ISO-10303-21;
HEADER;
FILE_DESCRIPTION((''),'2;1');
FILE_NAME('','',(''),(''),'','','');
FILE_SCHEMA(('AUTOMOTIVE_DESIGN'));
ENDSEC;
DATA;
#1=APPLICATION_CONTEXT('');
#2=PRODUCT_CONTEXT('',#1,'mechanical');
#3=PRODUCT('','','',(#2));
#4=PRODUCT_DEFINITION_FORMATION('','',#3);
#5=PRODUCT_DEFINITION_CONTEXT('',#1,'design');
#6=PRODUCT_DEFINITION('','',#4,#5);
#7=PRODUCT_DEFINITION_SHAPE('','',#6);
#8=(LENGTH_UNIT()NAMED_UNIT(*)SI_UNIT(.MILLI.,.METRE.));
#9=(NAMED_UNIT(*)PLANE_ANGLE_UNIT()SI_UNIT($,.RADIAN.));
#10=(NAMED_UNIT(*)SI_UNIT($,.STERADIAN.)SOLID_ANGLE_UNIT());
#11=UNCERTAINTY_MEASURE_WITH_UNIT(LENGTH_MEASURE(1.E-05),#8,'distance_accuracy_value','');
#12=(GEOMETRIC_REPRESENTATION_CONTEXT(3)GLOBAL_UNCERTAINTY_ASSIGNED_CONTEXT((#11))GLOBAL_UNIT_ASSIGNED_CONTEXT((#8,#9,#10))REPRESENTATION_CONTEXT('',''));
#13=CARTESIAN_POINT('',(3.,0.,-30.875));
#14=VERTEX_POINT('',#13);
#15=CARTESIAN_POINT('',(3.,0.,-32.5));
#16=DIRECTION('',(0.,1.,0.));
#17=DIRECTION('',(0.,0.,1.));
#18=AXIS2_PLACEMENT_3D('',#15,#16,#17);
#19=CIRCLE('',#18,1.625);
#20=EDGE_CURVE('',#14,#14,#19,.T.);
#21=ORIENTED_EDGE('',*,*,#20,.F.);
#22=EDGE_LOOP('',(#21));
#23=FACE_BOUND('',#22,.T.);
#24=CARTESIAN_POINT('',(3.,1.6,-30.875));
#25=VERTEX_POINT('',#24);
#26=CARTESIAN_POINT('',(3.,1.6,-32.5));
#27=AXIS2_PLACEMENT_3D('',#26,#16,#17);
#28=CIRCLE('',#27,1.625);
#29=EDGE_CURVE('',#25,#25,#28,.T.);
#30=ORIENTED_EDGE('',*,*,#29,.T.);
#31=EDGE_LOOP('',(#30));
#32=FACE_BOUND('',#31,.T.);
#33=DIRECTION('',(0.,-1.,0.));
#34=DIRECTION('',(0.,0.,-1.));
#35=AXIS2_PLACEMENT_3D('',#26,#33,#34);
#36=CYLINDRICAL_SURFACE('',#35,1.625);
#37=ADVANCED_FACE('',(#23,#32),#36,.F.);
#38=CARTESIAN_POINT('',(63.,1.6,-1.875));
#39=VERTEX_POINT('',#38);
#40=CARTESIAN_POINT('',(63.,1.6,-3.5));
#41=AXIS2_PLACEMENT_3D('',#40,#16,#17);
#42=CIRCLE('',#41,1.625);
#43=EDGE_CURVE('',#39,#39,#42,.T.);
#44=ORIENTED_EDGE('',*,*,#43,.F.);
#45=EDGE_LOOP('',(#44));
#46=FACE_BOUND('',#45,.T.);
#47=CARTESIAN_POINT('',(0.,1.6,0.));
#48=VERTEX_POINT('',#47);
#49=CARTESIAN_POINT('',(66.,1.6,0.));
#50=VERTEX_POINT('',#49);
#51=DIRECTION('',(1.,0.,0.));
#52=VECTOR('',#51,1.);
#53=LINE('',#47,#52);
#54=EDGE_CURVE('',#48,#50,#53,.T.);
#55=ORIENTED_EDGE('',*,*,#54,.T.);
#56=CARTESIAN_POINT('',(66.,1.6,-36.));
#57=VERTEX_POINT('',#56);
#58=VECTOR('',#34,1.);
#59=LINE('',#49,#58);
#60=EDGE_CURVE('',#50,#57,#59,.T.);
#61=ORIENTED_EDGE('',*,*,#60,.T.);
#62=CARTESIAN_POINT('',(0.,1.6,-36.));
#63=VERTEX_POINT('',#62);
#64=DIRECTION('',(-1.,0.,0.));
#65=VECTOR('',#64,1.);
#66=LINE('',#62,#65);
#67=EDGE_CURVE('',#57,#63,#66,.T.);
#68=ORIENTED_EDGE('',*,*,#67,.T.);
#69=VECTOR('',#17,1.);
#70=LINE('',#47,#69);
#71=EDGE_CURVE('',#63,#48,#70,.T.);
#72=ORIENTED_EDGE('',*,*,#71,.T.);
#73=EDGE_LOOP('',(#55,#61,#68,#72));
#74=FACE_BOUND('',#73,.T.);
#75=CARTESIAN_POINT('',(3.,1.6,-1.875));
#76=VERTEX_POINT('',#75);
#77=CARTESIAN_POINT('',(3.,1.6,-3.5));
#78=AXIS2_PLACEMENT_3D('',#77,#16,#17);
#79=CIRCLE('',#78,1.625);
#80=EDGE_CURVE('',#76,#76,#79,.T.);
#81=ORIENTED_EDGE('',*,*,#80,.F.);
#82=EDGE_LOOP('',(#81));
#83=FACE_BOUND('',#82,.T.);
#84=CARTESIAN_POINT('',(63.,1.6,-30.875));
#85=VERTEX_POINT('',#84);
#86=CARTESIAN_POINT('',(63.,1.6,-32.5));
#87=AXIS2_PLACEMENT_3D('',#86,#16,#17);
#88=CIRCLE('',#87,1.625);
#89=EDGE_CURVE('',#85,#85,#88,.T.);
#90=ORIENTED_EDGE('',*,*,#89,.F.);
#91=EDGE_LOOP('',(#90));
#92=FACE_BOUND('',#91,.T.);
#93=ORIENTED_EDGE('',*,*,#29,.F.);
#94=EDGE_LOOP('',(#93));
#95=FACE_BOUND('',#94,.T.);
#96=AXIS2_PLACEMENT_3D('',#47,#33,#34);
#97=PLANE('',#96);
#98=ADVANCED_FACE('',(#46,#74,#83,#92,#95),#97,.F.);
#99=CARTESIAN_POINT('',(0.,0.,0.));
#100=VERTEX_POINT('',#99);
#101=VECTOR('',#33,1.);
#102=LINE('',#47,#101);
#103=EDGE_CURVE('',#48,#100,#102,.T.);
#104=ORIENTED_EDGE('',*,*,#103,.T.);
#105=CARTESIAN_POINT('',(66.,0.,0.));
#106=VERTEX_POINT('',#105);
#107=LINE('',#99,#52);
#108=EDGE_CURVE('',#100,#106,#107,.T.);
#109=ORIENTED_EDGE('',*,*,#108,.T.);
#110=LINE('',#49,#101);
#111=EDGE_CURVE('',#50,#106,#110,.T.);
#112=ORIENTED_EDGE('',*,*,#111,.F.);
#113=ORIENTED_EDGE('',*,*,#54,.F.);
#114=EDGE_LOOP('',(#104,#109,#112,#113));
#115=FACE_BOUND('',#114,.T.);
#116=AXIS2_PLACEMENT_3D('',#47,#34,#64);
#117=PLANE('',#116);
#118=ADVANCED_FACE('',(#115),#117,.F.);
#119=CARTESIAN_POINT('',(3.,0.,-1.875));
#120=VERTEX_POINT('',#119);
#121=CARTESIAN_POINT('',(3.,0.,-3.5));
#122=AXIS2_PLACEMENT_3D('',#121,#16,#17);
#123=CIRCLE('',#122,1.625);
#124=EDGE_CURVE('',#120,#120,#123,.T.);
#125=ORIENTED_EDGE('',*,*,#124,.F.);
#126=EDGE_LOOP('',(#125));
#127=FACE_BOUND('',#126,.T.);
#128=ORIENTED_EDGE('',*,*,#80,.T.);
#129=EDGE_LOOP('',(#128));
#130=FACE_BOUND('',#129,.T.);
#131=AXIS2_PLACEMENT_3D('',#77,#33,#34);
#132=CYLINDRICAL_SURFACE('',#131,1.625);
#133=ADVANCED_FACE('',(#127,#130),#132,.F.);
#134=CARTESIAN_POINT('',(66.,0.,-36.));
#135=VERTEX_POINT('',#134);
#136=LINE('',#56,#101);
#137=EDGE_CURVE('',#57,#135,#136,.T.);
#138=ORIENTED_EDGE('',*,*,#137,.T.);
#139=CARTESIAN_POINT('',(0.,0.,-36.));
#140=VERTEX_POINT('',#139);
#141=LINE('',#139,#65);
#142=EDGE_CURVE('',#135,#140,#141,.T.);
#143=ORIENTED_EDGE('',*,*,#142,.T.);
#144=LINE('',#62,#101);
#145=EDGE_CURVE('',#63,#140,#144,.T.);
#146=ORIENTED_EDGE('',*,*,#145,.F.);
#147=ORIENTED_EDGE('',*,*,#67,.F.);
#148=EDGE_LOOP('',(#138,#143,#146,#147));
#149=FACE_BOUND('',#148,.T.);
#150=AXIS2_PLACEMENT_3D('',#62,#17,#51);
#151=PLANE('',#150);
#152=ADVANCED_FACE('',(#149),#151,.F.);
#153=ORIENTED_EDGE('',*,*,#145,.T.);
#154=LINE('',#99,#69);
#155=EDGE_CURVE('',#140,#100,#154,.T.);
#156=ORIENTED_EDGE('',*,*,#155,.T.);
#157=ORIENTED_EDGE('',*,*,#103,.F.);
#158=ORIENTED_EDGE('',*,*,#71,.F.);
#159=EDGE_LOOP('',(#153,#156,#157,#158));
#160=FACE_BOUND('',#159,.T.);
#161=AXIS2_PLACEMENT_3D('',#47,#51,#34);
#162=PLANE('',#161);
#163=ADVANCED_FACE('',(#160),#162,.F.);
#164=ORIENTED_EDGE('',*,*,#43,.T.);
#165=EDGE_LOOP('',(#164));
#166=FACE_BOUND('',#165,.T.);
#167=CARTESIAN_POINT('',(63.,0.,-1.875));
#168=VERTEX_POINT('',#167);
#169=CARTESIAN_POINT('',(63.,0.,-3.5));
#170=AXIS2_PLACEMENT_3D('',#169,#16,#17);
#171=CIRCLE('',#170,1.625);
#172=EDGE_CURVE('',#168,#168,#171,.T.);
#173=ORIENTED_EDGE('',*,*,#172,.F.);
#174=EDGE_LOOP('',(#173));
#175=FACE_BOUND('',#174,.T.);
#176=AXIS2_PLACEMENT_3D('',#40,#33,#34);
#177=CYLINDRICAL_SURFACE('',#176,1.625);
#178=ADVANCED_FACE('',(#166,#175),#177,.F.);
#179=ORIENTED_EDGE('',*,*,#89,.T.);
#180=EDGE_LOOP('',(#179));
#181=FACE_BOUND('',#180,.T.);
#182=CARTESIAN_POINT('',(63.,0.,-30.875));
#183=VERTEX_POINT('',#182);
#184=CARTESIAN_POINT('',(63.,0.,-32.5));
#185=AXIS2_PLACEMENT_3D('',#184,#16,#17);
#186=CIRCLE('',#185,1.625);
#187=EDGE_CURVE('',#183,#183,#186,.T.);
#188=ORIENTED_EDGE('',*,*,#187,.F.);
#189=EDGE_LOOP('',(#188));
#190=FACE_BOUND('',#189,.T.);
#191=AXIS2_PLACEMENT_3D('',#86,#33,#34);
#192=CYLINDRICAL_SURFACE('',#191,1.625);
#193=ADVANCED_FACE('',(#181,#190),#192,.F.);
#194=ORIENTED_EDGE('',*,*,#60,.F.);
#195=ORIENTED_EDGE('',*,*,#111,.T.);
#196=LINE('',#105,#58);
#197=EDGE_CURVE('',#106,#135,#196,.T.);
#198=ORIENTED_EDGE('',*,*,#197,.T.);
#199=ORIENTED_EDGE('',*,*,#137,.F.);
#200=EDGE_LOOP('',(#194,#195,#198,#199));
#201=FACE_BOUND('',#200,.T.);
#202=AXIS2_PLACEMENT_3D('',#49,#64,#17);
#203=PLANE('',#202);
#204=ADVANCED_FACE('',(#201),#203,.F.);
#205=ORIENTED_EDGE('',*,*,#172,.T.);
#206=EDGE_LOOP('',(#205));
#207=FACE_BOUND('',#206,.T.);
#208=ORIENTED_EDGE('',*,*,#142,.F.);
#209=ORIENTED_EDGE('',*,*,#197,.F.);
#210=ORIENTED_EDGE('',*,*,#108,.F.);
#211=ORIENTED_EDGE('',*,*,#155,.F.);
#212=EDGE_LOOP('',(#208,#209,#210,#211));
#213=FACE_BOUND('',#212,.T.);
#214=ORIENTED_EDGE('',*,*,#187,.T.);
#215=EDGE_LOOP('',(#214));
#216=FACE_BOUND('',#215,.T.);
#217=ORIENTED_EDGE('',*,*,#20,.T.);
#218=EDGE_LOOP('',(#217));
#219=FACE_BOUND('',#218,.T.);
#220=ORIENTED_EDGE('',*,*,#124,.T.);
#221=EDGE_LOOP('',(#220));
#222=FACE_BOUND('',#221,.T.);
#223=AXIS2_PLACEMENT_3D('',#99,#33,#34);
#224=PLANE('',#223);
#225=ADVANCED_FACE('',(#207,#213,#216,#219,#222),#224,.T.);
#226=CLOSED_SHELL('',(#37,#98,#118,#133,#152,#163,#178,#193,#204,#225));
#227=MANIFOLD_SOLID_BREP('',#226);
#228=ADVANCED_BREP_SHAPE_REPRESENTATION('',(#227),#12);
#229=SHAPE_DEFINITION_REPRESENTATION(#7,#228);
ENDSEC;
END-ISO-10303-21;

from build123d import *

# Parameters (mm, degrees)
SKETCH1_W           = 66
SKETCH1_H           = 36
SKETCH1_R           = 1.625
BOSS_EXTRUDE1_DEPTH = 1.6


with BuildPart() as part:
    # Sketch1 → Boss-Extrude1 (new body)
    with BuildSketch(Plane(origin=(0, 0, 0), x_dir=(1, 0, 0), z_dir=(0, 1, 0))):
        with Locations((33, 18)):
            Rectangle(SKETCH1_W, SKETCH1_H)
        with Locations(Location((3, 32.5, 0), (0, 0, 270))):
            Circle(SKETCH1_R, mode=Mode.SUBTRACT)
        with Locations(Location((3, 3.5, 0), (0, 0, 270))):
            Circle(SKETCH1_R, mode=Mode.SUBTRACT)
        with Locations(Location((63, 3.5, 0), (0, 0, 270))):
            Circle(SKETCH1_R, mode=Mode.SUBTRACT)
        with Locations(Location((63, 32.5, 0), (0, 0, 270))):
            Circle(SKETCH1_R, mode=Mode.SUBTRACT)
    extrude(amount=BOSS_EXTRUDE1_DEPTH)


solid = part.part
